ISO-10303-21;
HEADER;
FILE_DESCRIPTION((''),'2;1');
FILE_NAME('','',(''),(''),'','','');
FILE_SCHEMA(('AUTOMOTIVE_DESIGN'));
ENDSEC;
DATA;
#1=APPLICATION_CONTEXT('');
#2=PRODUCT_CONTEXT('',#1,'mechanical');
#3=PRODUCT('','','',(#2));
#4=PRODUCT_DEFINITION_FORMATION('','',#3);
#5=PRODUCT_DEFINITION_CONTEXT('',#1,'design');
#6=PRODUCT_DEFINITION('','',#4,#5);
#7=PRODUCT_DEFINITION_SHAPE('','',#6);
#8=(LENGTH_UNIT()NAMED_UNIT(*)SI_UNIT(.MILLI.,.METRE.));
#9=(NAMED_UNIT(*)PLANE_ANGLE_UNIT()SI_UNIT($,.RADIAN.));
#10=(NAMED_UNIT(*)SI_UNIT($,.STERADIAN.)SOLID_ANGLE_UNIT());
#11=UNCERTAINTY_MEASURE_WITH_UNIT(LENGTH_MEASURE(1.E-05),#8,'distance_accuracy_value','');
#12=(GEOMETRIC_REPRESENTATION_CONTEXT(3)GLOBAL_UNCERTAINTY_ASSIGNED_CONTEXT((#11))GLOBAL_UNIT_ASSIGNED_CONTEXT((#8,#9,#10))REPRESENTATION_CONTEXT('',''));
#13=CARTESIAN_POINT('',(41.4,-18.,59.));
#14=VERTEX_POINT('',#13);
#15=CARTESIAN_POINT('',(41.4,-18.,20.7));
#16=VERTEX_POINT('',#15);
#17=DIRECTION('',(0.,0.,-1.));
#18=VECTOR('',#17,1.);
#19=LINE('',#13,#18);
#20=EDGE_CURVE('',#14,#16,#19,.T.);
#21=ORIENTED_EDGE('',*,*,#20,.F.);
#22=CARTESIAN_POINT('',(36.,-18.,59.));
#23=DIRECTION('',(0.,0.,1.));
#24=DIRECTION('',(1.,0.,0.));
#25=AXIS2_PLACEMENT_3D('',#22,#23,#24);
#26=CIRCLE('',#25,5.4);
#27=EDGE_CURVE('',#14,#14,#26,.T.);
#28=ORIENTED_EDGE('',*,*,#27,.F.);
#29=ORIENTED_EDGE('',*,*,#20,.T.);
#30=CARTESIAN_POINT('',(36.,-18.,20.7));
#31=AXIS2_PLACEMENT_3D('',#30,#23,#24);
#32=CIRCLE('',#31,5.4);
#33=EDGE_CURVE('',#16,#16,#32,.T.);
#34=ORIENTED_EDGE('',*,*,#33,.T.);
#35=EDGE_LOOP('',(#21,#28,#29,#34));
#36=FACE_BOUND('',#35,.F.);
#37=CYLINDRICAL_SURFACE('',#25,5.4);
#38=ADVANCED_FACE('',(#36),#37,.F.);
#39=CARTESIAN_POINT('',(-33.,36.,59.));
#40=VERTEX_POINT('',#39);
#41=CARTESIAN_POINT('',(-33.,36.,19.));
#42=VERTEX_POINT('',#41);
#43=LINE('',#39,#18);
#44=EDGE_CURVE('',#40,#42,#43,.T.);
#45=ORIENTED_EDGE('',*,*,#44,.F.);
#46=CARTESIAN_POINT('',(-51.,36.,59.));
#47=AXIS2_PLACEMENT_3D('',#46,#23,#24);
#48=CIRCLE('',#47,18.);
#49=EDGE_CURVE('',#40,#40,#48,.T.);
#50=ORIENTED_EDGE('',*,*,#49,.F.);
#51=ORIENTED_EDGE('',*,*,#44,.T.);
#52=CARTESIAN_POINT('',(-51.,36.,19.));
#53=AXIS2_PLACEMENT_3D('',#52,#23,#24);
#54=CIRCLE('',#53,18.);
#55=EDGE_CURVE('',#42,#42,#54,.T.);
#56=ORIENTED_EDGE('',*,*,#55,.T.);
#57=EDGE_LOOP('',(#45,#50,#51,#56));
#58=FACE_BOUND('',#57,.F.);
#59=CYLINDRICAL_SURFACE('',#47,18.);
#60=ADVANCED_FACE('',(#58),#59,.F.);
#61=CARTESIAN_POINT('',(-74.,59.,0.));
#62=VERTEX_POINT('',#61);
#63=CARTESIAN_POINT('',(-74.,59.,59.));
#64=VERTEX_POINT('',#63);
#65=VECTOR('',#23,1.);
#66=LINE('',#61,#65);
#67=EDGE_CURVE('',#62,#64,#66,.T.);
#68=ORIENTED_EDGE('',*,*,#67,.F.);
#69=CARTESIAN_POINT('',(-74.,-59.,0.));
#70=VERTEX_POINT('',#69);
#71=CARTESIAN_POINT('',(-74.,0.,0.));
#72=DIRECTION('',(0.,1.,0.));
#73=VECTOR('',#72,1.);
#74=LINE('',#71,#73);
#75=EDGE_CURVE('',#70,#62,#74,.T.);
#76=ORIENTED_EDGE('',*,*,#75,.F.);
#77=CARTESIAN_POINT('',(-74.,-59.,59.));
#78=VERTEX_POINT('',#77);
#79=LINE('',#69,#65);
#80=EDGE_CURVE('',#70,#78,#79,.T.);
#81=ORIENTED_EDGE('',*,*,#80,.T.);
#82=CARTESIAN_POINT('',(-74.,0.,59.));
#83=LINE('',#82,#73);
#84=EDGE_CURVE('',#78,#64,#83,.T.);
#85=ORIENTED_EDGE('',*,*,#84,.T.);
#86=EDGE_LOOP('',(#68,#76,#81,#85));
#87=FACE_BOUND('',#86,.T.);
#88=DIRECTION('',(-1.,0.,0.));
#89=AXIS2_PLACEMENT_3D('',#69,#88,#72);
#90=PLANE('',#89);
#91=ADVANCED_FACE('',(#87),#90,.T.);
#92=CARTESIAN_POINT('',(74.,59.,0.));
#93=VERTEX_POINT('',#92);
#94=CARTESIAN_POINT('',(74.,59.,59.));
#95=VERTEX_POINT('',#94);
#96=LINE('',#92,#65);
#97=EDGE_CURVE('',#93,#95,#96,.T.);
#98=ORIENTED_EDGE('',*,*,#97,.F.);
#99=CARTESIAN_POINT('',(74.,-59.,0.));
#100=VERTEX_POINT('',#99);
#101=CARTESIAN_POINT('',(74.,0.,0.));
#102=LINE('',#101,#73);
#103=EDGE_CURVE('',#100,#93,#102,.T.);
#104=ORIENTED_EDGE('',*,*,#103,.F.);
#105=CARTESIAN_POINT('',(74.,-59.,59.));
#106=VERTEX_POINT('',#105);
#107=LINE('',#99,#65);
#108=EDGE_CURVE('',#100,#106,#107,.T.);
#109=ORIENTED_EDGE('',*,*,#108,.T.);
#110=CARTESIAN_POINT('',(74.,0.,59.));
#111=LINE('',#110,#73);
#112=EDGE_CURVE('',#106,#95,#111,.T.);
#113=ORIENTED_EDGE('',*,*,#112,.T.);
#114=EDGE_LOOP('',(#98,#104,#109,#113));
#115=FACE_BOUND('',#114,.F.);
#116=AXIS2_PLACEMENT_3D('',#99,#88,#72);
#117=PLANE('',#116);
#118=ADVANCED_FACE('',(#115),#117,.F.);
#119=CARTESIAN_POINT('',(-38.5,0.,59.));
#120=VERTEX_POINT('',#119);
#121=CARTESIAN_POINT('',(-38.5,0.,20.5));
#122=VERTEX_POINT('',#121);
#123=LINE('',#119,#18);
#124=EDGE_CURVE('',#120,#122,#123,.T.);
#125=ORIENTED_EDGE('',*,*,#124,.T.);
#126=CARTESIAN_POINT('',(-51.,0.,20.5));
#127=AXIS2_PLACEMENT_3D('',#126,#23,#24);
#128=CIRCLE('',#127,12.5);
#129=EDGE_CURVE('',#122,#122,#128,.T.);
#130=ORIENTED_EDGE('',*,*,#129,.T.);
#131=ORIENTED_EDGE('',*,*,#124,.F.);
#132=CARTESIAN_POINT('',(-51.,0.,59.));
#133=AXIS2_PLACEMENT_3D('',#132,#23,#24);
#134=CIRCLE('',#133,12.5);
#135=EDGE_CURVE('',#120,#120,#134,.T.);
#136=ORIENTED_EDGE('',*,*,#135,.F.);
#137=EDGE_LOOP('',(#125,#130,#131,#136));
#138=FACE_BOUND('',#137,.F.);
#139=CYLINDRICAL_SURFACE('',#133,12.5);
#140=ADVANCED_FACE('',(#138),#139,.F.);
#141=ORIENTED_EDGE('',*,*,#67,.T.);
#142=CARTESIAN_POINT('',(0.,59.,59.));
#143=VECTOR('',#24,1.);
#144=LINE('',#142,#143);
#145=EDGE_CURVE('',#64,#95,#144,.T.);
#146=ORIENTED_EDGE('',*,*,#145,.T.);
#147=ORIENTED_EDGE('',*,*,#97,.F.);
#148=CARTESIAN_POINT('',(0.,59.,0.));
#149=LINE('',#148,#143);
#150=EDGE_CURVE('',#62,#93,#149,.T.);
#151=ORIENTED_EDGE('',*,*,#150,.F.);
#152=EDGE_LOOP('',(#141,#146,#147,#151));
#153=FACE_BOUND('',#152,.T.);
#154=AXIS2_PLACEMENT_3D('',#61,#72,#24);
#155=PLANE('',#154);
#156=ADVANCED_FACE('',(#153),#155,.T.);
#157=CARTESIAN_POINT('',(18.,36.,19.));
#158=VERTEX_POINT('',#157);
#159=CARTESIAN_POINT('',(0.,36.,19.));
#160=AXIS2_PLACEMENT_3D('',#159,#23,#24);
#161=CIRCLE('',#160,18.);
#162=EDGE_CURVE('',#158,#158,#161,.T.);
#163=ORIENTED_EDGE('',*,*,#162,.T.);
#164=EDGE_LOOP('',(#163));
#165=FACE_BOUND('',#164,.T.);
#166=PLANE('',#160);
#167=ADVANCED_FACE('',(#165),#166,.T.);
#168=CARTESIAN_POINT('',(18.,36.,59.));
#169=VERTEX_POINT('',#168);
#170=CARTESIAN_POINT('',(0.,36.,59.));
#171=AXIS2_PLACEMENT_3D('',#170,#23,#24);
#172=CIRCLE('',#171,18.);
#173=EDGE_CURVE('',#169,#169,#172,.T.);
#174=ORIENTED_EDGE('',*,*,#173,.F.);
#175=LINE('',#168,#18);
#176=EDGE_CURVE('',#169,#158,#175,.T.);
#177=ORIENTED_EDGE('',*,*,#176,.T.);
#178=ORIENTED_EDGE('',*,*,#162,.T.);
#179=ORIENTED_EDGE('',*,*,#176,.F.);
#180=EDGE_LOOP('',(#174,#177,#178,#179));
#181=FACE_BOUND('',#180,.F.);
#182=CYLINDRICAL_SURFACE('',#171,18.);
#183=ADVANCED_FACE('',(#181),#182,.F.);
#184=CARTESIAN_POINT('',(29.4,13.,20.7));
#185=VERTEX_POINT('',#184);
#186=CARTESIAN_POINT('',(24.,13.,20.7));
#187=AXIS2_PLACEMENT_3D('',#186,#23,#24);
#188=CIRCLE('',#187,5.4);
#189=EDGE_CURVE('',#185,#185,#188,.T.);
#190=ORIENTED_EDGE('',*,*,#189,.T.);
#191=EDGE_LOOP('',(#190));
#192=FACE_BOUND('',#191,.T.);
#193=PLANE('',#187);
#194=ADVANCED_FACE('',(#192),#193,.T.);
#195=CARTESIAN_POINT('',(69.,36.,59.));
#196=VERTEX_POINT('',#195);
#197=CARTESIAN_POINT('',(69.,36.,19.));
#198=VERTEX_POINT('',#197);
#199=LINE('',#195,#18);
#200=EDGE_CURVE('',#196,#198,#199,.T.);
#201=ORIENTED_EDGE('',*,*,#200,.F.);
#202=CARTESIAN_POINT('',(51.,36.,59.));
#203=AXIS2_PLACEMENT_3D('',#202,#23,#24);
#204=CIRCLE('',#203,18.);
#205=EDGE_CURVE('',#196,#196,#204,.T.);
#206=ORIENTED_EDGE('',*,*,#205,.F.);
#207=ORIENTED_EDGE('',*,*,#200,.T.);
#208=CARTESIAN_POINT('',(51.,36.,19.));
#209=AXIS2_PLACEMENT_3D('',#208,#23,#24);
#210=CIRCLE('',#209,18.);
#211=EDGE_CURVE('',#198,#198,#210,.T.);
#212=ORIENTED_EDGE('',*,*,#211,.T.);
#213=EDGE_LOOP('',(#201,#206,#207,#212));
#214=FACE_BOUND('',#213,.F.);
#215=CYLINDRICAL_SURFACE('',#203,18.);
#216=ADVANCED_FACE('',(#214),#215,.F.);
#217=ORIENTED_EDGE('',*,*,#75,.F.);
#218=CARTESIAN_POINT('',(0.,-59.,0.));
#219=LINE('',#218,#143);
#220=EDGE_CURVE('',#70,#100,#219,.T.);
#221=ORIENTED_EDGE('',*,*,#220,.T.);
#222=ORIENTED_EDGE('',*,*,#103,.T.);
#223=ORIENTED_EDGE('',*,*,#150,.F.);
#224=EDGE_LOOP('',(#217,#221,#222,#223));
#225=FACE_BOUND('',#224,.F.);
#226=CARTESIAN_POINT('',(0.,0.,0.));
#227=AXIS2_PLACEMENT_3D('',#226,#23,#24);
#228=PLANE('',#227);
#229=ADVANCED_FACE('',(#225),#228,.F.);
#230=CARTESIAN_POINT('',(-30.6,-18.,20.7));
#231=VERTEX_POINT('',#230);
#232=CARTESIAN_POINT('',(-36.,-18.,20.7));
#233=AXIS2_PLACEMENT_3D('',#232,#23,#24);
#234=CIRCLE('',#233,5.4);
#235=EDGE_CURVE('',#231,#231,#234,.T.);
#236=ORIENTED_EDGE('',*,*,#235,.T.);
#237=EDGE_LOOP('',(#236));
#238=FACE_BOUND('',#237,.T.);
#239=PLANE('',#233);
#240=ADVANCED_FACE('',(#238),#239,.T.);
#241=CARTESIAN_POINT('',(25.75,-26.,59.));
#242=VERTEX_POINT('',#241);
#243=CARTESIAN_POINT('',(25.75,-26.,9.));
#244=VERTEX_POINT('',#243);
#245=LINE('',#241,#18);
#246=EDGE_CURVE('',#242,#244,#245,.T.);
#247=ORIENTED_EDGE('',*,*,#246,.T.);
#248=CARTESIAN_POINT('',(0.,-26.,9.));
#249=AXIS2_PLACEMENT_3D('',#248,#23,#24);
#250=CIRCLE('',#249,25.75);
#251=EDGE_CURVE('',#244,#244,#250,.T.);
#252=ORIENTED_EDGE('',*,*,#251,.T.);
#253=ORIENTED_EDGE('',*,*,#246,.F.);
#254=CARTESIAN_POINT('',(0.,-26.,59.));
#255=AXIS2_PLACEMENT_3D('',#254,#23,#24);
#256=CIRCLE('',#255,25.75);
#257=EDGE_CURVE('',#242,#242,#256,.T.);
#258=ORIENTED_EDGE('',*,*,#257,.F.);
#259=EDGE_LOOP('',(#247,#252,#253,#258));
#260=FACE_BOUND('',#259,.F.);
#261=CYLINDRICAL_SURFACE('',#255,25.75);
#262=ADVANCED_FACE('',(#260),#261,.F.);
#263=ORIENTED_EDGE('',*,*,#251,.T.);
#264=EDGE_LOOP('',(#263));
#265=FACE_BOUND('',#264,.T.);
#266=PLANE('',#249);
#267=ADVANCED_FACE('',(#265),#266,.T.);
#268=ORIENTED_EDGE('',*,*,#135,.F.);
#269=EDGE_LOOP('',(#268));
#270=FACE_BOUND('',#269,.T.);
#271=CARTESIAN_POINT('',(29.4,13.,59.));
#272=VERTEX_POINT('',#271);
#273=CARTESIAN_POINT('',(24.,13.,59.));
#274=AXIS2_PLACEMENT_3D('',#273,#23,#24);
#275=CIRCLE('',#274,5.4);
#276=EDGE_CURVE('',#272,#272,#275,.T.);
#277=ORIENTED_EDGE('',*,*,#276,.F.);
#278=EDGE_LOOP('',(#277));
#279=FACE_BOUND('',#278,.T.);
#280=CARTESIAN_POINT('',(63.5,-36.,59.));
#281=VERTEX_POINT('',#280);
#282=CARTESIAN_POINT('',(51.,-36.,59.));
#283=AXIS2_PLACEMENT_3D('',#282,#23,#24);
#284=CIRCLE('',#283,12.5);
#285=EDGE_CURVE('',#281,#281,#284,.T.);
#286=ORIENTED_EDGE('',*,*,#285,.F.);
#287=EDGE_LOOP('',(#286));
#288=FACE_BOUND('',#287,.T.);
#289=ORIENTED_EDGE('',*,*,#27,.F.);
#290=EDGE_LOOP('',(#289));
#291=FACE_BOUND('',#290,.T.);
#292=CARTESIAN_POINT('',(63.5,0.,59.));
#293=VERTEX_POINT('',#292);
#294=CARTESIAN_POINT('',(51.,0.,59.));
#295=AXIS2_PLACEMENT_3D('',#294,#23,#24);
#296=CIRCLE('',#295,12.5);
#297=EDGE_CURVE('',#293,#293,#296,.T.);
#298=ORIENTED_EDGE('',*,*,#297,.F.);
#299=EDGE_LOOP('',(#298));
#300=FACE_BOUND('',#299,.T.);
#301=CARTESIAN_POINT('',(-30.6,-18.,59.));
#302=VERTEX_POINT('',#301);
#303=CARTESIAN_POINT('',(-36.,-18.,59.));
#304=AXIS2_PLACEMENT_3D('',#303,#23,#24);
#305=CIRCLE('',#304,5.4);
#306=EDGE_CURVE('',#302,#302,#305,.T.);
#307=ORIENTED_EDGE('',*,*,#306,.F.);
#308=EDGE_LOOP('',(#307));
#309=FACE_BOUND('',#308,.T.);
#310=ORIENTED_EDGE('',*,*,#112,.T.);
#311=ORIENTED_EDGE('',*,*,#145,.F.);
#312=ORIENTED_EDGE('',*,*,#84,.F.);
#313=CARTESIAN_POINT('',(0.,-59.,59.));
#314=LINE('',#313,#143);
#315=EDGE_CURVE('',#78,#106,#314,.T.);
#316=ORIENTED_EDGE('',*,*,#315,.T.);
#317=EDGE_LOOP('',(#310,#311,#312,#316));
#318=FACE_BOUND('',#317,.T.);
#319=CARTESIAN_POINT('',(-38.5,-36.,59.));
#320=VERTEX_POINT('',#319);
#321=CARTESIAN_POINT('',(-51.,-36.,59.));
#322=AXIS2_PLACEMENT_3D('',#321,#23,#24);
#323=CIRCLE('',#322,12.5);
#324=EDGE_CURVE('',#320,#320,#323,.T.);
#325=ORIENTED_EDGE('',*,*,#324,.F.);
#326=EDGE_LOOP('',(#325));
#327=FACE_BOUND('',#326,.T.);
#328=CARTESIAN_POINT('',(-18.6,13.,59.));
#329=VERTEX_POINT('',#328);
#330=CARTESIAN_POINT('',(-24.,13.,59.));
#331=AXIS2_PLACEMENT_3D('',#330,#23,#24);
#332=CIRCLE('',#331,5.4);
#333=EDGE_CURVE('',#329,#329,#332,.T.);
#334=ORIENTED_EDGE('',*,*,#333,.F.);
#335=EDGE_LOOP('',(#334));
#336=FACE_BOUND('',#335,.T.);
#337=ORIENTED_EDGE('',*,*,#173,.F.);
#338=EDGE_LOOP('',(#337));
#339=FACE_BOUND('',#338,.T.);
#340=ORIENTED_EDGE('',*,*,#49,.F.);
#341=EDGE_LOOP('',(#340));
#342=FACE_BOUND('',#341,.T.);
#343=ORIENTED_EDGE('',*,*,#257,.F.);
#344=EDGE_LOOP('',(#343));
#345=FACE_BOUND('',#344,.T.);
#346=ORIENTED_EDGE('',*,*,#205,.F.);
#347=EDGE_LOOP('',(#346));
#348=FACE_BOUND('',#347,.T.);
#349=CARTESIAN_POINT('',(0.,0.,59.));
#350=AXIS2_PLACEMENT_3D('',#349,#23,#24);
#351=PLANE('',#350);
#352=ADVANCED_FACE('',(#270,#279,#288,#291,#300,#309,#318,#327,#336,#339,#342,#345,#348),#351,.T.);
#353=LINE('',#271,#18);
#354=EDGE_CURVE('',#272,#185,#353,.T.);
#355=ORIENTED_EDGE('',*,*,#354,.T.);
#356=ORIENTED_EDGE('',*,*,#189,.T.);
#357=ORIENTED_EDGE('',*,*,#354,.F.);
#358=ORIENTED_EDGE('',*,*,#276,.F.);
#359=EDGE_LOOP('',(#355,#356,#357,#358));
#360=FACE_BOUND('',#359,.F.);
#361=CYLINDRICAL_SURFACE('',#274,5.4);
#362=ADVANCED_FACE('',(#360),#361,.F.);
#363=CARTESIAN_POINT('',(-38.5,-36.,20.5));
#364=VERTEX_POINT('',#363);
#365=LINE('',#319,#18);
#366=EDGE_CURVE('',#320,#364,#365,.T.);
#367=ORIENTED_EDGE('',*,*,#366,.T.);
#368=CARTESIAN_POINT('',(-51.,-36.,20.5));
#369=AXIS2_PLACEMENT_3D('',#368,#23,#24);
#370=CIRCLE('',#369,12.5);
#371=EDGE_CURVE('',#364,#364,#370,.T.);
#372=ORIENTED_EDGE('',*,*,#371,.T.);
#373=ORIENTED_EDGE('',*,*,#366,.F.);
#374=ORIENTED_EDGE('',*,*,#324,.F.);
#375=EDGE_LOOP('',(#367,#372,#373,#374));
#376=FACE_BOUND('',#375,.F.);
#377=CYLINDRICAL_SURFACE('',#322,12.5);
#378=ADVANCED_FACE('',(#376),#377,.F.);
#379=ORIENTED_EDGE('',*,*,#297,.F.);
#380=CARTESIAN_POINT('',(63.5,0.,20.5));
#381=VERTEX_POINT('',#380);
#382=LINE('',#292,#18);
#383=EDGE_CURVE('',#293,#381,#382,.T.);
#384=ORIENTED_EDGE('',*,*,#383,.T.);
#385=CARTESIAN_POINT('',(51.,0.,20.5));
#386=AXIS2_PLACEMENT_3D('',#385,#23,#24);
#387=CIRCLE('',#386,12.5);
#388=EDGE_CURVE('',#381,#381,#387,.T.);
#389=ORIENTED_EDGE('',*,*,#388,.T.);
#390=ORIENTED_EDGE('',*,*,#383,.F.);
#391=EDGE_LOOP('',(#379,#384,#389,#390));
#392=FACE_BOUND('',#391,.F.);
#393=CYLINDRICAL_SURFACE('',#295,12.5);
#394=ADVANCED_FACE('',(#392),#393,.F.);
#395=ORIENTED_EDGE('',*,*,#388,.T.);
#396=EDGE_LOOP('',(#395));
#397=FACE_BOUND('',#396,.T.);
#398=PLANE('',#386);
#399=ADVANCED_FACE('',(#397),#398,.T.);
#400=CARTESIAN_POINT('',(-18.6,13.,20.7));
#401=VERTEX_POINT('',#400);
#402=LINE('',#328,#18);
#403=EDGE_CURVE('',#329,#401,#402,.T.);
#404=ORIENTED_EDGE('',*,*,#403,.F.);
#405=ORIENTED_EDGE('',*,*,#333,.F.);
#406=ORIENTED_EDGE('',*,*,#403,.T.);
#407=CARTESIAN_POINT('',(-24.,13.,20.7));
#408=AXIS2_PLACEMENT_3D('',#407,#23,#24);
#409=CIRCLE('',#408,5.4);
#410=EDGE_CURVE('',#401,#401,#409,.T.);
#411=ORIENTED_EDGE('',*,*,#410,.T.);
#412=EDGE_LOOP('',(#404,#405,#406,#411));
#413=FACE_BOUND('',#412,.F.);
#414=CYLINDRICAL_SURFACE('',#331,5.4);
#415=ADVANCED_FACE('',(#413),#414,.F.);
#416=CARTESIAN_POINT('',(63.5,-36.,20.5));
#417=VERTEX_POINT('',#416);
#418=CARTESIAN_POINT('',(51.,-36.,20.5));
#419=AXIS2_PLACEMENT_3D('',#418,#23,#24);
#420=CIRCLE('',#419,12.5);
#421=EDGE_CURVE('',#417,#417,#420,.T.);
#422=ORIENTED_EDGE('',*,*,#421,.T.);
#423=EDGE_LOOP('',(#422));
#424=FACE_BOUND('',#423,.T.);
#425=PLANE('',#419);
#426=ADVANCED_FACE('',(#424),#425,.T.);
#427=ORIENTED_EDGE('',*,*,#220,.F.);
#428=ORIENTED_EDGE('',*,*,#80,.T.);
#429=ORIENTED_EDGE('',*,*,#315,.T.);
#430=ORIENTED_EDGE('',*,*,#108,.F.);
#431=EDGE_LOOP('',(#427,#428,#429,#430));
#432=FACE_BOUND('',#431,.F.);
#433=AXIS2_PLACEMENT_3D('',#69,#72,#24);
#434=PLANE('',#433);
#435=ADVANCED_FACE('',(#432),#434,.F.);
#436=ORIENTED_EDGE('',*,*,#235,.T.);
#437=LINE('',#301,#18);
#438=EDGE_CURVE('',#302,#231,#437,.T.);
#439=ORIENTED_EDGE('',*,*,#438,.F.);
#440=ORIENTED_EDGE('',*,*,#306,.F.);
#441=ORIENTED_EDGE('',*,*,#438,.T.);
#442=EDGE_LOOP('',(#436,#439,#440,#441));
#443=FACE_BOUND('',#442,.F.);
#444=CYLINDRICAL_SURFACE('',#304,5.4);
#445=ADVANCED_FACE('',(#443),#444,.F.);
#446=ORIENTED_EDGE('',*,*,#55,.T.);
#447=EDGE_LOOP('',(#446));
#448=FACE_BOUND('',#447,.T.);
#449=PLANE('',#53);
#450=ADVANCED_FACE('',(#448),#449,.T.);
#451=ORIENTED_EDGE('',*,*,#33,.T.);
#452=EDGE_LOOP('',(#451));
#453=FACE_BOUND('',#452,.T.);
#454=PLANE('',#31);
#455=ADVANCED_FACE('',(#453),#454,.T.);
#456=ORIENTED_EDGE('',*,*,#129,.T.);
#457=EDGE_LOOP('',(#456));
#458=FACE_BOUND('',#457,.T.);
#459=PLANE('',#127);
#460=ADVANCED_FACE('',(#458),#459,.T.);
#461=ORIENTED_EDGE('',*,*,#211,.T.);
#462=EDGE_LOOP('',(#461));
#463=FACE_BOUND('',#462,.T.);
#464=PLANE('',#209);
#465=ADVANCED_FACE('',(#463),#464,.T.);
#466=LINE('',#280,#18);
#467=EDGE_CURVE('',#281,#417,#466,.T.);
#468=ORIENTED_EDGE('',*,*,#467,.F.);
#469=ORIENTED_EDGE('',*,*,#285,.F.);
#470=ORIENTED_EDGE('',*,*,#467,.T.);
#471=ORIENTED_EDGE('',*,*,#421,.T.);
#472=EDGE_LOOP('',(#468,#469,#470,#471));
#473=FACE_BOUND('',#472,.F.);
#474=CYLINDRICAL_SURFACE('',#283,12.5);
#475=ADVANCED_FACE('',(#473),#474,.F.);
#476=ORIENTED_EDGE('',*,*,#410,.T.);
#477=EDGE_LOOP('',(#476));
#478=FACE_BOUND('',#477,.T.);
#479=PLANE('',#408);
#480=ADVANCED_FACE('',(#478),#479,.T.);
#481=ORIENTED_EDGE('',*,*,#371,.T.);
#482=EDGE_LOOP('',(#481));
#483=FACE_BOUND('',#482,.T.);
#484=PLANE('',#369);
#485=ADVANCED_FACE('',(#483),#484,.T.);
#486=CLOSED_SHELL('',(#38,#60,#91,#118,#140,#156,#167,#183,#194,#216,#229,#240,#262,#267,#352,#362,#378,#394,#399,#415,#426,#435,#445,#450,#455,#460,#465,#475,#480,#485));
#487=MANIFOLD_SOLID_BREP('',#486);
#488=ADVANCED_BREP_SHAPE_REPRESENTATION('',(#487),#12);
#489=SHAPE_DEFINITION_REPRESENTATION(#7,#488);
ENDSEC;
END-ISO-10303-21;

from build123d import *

# Parameters (mm, degrees)
F0_W     = 148
F0_H     = 118
F1_DEPTH = 59
F2_R     = 25.75
F3_DEPTH = 50
F2_R_2   = 18
F4_DEPTH = 40
F2_R_3   = 12.5
F5_DEPTH = 38.5
F2_R_4   = 5.4
F6_DEPTH = 38.3


with BuildPart() as f1:
    # F0 (on Top) → F1 (new body)
    with BuildSketch(Plane.XY):
        Rectangle(F0_W, F0_H)
    extrude(amount=F1_DEPTH)

    # F2 (on face) → F3 (cut)
    with BuildSketch(Plane.XY.offset(59)):
        with Locations((0, -26)):
            Circle(F2_R)
    extrude(amount=-F3_DEPTH, mode=Mode.SUBTRACT)

    # F2 (on face) → F4 (cut)
    with BuildSketch(Plane.XY.offset(59)):
        with Locations((-51, 36)):
            Circle(F2_R_2)
        with Locations((0, 36)):
            Circle(F2_R_2)
        with Locations((51, 36)):
            Circle(F2_R_2)
    extrude(amount=-F4_DEPTH, mode=Mode.SUBTRACT)

    # F2 (on face) → F5 (cut)
    with BuildSketch(Plane.XY.offset(59)):
        with Locations((-51, 0)):
            Circle(F2_R_3)
        with Locations((-51, -36)):
            Circle(F2_R_3)
        with Locations((51, 0)):
            Circle(F2_R_3)
        with Locations((51, -36)):
            Circle(F2_R_3)
    extrude(amount=-F5_DEPTH, mode=Mode.SUBTRACT)

    # F2 (on face) → F6 (cut)
    with BuildSketch(Plane.XY.offset(59)):
        with Locations((-24, 13)):
            Circle(F2_R_4)
        with Locations((-36, -18)):
            Circle(F2_R_4)
        with Locations((24, 13)):
            Circle(F2_R_4)
        with Locations((36, -18)):
            Circle(F2_R_4)
    extrude(amount=-F6_DEPTH, mode=Mode.SUBTRACT)


solid = f1.part
